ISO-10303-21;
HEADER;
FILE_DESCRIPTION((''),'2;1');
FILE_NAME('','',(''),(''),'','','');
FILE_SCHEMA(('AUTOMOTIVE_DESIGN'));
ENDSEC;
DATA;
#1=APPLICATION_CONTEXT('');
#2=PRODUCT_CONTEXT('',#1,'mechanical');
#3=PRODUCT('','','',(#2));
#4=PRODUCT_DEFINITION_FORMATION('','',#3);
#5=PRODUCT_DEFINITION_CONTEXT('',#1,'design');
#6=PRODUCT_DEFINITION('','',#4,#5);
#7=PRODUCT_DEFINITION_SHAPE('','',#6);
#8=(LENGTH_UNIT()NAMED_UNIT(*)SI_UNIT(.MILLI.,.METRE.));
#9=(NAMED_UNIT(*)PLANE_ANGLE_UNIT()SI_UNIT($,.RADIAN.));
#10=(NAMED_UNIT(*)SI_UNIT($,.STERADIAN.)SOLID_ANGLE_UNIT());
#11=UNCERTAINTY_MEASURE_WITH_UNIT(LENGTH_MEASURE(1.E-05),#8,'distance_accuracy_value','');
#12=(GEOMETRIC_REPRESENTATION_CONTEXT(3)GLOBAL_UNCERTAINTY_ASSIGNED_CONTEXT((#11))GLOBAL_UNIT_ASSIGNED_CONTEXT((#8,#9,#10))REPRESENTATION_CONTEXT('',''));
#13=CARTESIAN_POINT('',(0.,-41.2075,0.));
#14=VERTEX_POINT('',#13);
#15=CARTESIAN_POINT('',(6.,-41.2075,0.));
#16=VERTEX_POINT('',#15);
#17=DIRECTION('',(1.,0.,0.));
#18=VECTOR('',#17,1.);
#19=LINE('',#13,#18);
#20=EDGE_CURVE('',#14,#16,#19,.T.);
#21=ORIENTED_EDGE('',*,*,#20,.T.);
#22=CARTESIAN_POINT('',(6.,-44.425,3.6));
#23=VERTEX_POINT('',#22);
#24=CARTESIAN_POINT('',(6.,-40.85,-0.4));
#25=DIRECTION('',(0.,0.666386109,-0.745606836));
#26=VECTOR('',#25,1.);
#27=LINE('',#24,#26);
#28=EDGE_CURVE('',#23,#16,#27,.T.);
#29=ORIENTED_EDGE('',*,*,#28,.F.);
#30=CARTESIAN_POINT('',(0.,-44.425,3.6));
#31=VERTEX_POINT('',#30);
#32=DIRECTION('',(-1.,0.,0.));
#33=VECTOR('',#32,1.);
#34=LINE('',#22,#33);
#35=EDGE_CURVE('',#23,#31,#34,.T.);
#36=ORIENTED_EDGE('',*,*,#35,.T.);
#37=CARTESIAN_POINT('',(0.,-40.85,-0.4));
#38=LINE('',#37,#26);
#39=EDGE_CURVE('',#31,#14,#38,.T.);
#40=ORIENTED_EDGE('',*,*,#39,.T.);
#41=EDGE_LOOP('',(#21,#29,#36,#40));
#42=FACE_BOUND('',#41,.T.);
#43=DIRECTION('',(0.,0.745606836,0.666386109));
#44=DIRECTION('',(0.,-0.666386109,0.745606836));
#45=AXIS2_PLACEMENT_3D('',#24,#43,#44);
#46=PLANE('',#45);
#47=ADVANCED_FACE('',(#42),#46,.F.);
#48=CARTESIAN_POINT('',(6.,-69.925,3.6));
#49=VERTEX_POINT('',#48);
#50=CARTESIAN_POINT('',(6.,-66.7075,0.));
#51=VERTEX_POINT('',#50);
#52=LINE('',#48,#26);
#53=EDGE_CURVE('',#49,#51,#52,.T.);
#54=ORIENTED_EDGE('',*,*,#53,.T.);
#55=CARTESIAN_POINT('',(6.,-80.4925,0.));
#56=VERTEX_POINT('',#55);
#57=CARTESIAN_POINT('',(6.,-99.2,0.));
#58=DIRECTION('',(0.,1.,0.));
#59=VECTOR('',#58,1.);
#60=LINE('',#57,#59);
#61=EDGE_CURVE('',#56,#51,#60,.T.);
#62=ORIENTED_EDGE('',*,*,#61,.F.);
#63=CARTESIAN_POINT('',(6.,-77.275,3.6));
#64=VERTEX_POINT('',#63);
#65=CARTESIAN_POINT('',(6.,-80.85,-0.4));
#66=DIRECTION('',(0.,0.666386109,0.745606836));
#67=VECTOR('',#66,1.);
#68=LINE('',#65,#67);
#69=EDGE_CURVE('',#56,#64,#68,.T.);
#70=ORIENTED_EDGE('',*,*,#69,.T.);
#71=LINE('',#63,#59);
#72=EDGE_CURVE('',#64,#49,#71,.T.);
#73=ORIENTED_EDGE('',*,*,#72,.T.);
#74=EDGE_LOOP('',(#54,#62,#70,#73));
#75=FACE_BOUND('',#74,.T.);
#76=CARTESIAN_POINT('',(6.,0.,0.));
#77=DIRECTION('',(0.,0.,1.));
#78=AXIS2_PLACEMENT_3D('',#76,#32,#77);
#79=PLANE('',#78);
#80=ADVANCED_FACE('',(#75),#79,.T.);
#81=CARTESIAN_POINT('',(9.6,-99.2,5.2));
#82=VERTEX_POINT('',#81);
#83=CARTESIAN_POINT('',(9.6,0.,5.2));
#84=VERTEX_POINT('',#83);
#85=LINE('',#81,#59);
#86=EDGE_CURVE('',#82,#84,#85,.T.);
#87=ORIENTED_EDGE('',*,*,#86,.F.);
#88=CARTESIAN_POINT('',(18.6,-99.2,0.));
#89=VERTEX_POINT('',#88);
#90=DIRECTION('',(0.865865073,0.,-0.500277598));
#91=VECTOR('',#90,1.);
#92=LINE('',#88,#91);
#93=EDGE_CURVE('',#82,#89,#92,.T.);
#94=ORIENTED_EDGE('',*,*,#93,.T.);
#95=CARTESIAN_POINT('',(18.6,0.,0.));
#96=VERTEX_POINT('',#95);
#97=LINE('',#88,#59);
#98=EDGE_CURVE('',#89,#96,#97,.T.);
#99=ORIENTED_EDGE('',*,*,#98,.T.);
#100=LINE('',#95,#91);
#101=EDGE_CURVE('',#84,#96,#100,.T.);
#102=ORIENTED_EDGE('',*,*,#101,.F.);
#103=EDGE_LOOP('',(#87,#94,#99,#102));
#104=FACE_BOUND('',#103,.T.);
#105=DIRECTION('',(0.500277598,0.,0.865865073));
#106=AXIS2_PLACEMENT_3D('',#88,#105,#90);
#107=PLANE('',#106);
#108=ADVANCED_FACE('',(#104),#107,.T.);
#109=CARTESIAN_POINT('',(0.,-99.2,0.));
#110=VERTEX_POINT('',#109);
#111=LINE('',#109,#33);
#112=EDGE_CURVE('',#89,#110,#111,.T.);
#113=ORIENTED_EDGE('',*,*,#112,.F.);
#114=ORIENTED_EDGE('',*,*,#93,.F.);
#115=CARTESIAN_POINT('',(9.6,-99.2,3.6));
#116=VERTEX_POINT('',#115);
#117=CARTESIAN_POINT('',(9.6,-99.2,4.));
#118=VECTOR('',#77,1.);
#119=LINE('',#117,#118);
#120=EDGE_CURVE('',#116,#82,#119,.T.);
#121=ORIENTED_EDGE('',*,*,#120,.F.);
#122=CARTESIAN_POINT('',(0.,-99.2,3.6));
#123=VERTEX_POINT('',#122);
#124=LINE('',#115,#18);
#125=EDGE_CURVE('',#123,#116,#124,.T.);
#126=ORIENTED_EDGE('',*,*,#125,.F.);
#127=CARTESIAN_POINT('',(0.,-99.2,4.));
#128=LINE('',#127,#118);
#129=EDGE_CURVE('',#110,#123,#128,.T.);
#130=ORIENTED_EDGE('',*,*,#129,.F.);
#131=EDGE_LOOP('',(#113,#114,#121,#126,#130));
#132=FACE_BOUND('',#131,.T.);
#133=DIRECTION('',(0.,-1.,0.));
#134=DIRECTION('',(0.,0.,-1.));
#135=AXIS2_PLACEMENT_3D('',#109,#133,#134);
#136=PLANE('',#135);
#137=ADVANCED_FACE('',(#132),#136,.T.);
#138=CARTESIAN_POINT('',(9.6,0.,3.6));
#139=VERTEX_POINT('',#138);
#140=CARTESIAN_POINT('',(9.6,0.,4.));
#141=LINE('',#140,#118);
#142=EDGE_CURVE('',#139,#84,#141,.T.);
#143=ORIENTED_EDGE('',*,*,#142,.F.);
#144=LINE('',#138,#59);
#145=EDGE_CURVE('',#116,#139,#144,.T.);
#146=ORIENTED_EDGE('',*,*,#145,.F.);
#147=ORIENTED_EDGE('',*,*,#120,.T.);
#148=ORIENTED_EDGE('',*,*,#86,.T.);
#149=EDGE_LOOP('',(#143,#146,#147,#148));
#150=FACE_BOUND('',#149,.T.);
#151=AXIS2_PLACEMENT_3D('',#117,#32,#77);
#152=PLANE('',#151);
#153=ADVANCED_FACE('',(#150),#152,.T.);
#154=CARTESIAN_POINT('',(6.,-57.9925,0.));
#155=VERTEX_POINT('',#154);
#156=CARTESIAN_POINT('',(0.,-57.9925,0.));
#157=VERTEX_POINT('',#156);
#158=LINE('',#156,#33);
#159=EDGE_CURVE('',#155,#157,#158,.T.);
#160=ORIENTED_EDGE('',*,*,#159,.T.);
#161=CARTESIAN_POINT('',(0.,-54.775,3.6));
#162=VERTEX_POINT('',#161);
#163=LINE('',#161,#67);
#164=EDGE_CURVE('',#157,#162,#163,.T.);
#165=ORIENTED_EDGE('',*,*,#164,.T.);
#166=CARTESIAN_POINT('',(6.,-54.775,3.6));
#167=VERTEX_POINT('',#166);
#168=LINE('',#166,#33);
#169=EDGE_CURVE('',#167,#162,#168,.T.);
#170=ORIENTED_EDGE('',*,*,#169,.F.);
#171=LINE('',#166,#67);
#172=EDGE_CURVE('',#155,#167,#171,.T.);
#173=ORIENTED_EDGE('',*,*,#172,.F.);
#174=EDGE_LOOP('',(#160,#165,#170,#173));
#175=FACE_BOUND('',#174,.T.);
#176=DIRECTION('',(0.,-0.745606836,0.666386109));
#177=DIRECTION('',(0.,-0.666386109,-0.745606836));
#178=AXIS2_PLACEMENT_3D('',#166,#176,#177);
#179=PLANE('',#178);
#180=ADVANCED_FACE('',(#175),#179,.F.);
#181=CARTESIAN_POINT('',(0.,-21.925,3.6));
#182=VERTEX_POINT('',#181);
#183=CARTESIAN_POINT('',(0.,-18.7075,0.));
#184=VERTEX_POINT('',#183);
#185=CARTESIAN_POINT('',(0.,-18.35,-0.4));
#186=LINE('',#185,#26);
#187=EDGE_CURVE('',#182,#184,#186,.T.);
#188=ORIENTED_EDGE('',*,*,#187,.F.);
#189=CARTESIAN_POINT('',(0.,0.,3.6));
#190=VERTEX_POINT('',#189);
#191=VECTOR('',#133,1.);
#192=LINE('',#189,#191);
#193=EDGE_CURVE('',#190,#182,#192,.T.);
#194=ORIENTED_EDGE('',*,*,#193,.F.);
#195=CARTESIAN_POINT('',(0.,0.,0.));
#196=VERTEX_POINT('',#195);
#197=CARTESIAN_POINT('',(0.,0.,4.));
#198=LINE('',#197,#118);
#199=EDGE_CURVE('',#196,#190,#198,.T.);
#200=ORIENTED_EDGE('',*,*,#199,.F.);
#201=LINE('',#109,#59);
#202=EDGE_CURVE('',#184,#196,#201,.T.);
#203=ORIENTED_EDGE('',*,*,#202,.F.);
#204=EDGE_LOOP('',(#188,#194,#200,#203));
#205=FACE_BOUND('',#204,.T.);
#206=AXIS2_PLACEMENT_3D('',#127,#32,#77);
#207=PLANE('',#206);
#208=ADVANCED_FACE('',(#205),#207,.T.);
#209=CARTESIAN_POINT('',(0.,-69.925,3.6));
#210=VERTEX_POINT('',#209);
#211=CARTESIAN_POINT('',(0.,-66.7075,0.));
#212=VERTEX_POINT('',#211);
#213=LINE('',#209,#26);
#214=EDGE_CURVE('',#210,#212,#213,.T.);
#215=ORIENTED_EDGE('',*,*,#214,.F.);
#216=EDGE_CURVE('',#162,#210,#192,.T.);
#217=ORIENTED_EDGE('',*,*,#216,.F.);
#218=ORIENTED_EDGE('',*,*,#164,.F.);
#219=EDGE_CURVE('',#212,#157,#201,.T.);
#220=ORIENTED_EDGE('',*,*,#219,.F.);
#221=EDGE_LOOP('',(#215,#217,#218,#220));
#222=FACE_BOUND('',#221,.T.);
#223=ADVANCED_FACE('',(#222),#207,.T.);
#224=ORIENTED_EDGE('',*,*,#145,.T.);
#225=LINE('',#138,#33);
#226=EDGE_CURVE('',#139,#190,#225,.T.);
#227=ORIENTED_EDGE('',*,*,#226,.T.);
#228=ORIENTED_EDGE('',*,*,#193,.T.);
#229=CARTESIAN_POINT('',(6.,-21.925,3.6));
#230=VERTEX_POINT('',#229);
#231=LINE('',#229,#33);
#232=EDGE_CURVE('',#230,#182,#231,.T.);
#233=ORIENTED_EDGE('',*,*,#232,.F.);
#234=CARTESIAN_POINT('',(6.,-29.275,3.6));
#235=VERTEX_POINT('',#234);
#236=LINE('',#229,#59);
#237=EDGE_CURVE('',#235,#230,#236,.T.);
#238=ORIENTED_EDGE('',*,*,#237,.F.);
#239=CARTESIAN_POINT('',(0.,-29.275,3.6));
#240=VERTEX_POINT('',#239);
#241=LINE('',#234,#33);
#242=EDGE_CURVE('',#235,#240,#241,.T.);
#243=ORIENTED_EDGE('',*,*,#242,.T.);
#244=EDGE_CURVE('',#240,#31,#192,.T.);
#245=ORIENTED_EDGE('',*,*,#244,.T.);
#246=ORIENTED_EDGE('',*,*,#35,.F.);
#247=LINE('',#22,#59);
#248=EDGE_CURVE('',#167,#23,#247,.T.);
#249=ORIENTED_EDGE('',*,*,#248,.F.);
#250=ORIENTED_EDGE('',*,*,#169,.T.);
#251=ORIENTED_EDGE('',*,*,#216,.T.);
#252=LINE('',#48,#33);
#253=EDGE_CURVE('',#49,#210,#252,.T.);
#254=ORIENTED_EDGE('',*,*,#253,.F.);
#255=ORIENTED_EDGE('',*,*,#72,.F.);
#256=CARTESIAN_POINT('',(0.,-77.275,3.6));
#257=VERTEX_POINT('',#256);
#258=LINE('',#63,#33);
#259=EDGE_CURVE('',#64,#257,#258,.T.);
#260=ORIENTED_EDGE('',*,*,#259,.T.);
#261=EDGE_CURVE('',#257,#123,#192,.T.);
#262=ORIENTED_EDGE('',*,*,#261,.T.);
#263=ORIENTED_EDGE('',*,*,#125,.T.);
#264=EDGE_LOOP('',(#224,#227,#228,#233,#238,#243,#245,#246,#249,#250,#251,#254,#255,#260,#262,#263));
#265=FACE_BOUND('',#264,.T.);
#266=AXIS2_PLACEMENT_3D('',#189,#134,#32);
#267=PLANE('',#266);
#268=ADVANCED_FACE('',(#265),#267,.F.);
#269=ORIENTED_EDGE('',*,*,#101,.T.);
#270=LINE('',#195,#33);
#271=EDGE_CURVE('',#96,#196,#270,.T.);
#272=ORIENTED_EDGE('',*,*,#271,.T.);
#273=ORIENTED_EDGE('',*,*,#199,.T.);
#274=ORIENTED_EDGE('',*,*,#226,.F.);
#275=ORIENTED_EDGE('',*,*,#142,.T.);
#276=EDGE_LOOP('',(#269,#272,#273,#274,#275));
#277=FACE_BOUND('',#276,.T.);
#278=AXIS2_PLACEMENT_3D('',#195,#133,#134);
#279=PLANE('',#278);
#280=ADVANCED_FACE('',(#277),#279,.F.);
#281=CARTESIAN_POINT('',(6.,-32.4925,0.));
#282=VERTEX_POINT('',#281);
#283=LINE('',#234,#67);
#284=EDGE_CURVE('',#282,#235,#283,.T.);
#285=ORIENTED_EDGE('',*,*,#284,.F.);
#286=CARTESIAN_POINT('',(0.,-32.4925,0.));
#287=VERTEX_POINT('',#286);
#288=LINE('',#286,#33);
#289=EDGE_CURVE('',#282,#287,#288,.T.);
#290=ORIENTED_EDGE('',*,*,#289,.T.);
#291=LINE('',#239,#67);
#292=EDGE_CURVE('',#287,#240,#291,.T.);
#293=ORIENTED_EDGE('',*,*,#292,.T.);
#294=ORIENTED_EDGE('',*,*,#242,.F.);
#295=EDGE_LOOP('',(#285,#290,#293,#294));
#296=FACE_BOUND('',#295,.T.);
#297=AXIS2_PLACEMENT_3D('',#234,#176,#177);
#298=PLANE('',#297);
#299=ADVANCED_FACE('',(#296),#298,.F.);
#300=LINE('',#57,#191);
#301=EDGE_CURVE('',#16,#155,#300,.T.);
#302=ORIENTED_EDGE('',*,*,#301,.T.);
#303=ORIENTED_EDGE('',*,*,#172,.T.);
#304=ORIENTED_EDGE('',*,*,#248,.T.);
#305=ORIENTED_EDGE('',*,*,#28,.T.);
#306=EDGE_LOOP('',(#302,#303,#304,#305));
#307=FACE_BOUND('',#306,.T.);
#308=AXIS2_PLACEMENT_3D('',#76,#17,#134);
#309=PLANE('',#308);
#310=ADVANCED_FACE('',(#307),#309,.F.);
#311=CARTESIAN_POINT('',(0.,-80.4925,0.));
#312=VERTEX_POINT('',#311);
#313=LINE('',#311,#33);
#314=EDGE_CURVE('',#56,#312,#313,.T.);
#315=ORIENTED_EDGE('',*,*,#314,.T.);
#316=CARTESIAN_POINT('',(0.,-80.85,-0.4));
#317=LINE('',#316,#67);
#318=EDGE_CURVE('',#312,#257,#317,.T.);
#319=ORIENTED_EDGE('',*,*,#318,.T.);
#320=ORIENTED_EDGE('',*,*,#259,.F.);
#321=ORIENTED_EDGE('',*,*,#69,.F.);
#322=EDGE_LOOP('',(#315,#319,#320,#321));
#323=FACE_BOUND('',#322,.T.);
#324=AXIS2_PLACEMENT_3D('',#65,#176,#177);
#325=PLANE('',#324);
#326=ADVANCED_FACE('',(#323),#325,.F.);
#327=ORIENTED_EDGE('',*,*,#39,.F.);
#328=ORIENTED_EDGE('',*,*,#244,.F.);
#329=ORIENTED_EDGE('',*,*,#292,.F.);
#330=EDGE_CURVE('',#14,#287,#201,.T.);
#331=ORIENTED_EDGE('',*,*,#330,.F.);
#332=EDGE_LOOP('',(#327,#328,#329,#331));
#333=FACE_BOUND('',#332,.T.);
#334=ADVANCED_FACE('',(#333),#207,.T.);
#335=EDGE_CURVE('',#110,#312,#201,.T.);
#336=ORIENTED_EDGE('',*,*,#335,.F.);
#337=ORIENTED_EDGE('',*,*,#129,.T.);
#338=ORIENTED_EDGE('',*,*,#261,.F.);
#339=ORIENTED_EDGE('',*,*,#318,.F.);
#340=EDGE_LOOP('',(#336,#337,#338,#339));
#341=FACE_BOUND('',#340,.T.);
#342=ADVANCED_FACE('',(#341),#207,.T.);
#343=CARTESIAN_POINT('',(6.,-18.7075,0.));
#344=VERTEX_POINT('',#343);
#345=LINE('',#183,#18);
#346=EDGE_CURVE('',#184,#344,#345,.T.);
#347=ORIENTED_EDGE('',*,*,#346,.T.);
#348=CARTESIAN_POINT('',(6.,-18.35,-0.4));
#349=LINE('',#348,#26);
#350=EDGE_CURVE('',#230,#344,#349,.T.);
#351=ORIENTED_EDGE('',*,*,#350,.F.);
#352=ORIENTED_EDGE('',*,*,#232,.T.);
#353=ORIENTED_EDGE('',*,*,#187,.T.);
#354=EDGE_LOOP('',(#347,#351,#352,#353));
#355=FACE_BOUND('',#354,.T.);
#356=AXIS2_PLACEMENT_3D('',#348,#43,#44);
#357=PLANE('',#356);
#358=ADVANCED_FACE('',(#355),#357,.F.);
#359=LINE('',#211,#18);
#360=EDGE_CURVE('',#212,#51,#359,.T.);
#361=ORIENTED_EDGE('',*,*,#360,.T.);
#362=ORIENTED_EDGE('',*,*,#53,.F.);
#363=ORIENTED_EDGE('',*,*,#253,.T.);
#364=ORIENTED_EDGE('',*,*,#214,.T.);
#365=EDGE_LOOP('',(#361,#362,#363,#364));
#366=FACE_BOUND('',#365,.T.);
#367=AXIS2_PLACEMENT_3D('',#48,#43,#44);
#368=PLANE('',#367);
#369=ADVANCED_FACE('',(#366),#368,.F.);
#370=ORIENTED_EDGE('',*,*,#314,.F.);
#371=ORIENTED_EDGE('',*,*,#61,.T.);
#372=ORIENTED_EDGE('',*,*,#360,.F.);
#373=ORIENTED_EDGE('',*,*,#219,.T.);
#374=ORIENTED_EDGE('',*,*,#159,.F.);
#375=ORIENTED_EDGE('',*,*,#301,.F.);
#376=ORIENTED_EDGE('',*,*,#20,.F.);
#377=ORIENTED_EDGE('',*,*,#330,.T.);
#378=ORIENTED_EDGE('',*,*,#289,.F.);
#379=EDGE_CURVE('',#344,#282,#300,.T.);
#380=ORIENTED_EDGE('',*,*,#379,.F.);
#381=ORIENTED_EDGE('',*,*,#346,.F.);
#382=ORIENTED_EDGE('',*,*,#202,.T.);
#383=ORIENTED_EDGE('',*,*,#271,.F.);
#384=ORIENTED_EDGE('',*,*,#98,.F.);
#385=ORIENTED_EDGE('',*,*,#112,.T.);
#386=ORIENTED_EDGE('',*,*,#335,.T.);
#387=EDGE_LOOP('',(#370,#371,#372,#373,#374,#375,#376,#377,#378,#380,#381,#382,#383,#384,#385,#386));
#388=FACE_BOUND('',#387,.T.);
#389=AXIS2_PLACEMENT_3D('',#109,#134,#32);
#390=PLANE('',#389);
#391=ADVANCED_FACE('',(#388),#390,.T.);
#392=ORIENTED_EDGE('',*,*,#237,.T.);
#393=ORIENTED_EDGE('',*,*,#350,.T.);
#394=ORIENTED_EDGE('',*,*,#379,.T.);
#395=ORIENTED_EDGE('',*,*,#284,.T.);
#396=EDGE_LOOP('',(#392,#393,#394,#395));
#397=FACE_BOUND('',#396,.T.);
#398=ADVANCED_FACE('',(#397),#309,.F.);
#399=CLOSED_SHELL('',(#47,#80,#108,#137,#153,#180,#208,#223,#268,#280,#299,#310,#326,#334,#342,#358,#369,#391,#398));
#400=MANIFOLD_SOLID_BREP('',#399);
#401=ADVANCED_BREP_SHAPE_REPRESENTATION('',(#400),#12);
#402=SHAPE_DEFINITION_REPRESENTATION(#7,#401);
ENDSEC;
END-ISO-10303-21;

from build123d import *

# Parameters (mm, degrees)
BASE_DEPTH   = 99.2
JOIN_1_DEPTH = 6
CROQUIS3_W   = 9.6
CROQUIS3_H   = 99.2
JOIN_2_DEPTH = 0.4


with BuildPart() as part:
    # Croquis1 → BASE (new body)
    with BuildSketch(Plane(origin=(0, 0, 0), x_dir=(-1, 0, 0), z_dir=(0, 1, 0))):
        Polygon((0, 0), (-18.6, 0), (-9.6, 5.2), (-9.6, 4), (0, 4), align=None)
    extrude(amount=-BASE_DEPTH)

    # Croquis2 → JOIN_1 (cut)
    with BuildSketch(Plane(origin=(0, 0, 0), x_dir=(0, -1, 0), z_dir=(-1, 0, 0))):
        Polygon((18.35, -0.4), (21.925, 3.6), (29.275, 3.6), (32.85, -0.4), align=None)
        Polygon((40.85, -0.4), (44.425, 3.6), (54.775, 3.6), (58.35, -0.4), align=None)
        Polygon((69.925, 3.6), (66.35, -0.4), (80.85, -0.4), (77.275, 3.6), align=None)
    extrude(amount=-JOIN_1_DEPTH, mode=Mode.SUBTRACT)

    # Croquis3 → JOIN_2 (cut)
    with BuildSketch(Plane.XY.offset(4)):
        with Locations((4.8, -49.6)):
            Rectangle(CROQUIS3_W, CROQUIS3_H)
    extrude(amount=-JOIN_2_DEPTH, mode=Mode.SUBTRACT)


solid = part.part
